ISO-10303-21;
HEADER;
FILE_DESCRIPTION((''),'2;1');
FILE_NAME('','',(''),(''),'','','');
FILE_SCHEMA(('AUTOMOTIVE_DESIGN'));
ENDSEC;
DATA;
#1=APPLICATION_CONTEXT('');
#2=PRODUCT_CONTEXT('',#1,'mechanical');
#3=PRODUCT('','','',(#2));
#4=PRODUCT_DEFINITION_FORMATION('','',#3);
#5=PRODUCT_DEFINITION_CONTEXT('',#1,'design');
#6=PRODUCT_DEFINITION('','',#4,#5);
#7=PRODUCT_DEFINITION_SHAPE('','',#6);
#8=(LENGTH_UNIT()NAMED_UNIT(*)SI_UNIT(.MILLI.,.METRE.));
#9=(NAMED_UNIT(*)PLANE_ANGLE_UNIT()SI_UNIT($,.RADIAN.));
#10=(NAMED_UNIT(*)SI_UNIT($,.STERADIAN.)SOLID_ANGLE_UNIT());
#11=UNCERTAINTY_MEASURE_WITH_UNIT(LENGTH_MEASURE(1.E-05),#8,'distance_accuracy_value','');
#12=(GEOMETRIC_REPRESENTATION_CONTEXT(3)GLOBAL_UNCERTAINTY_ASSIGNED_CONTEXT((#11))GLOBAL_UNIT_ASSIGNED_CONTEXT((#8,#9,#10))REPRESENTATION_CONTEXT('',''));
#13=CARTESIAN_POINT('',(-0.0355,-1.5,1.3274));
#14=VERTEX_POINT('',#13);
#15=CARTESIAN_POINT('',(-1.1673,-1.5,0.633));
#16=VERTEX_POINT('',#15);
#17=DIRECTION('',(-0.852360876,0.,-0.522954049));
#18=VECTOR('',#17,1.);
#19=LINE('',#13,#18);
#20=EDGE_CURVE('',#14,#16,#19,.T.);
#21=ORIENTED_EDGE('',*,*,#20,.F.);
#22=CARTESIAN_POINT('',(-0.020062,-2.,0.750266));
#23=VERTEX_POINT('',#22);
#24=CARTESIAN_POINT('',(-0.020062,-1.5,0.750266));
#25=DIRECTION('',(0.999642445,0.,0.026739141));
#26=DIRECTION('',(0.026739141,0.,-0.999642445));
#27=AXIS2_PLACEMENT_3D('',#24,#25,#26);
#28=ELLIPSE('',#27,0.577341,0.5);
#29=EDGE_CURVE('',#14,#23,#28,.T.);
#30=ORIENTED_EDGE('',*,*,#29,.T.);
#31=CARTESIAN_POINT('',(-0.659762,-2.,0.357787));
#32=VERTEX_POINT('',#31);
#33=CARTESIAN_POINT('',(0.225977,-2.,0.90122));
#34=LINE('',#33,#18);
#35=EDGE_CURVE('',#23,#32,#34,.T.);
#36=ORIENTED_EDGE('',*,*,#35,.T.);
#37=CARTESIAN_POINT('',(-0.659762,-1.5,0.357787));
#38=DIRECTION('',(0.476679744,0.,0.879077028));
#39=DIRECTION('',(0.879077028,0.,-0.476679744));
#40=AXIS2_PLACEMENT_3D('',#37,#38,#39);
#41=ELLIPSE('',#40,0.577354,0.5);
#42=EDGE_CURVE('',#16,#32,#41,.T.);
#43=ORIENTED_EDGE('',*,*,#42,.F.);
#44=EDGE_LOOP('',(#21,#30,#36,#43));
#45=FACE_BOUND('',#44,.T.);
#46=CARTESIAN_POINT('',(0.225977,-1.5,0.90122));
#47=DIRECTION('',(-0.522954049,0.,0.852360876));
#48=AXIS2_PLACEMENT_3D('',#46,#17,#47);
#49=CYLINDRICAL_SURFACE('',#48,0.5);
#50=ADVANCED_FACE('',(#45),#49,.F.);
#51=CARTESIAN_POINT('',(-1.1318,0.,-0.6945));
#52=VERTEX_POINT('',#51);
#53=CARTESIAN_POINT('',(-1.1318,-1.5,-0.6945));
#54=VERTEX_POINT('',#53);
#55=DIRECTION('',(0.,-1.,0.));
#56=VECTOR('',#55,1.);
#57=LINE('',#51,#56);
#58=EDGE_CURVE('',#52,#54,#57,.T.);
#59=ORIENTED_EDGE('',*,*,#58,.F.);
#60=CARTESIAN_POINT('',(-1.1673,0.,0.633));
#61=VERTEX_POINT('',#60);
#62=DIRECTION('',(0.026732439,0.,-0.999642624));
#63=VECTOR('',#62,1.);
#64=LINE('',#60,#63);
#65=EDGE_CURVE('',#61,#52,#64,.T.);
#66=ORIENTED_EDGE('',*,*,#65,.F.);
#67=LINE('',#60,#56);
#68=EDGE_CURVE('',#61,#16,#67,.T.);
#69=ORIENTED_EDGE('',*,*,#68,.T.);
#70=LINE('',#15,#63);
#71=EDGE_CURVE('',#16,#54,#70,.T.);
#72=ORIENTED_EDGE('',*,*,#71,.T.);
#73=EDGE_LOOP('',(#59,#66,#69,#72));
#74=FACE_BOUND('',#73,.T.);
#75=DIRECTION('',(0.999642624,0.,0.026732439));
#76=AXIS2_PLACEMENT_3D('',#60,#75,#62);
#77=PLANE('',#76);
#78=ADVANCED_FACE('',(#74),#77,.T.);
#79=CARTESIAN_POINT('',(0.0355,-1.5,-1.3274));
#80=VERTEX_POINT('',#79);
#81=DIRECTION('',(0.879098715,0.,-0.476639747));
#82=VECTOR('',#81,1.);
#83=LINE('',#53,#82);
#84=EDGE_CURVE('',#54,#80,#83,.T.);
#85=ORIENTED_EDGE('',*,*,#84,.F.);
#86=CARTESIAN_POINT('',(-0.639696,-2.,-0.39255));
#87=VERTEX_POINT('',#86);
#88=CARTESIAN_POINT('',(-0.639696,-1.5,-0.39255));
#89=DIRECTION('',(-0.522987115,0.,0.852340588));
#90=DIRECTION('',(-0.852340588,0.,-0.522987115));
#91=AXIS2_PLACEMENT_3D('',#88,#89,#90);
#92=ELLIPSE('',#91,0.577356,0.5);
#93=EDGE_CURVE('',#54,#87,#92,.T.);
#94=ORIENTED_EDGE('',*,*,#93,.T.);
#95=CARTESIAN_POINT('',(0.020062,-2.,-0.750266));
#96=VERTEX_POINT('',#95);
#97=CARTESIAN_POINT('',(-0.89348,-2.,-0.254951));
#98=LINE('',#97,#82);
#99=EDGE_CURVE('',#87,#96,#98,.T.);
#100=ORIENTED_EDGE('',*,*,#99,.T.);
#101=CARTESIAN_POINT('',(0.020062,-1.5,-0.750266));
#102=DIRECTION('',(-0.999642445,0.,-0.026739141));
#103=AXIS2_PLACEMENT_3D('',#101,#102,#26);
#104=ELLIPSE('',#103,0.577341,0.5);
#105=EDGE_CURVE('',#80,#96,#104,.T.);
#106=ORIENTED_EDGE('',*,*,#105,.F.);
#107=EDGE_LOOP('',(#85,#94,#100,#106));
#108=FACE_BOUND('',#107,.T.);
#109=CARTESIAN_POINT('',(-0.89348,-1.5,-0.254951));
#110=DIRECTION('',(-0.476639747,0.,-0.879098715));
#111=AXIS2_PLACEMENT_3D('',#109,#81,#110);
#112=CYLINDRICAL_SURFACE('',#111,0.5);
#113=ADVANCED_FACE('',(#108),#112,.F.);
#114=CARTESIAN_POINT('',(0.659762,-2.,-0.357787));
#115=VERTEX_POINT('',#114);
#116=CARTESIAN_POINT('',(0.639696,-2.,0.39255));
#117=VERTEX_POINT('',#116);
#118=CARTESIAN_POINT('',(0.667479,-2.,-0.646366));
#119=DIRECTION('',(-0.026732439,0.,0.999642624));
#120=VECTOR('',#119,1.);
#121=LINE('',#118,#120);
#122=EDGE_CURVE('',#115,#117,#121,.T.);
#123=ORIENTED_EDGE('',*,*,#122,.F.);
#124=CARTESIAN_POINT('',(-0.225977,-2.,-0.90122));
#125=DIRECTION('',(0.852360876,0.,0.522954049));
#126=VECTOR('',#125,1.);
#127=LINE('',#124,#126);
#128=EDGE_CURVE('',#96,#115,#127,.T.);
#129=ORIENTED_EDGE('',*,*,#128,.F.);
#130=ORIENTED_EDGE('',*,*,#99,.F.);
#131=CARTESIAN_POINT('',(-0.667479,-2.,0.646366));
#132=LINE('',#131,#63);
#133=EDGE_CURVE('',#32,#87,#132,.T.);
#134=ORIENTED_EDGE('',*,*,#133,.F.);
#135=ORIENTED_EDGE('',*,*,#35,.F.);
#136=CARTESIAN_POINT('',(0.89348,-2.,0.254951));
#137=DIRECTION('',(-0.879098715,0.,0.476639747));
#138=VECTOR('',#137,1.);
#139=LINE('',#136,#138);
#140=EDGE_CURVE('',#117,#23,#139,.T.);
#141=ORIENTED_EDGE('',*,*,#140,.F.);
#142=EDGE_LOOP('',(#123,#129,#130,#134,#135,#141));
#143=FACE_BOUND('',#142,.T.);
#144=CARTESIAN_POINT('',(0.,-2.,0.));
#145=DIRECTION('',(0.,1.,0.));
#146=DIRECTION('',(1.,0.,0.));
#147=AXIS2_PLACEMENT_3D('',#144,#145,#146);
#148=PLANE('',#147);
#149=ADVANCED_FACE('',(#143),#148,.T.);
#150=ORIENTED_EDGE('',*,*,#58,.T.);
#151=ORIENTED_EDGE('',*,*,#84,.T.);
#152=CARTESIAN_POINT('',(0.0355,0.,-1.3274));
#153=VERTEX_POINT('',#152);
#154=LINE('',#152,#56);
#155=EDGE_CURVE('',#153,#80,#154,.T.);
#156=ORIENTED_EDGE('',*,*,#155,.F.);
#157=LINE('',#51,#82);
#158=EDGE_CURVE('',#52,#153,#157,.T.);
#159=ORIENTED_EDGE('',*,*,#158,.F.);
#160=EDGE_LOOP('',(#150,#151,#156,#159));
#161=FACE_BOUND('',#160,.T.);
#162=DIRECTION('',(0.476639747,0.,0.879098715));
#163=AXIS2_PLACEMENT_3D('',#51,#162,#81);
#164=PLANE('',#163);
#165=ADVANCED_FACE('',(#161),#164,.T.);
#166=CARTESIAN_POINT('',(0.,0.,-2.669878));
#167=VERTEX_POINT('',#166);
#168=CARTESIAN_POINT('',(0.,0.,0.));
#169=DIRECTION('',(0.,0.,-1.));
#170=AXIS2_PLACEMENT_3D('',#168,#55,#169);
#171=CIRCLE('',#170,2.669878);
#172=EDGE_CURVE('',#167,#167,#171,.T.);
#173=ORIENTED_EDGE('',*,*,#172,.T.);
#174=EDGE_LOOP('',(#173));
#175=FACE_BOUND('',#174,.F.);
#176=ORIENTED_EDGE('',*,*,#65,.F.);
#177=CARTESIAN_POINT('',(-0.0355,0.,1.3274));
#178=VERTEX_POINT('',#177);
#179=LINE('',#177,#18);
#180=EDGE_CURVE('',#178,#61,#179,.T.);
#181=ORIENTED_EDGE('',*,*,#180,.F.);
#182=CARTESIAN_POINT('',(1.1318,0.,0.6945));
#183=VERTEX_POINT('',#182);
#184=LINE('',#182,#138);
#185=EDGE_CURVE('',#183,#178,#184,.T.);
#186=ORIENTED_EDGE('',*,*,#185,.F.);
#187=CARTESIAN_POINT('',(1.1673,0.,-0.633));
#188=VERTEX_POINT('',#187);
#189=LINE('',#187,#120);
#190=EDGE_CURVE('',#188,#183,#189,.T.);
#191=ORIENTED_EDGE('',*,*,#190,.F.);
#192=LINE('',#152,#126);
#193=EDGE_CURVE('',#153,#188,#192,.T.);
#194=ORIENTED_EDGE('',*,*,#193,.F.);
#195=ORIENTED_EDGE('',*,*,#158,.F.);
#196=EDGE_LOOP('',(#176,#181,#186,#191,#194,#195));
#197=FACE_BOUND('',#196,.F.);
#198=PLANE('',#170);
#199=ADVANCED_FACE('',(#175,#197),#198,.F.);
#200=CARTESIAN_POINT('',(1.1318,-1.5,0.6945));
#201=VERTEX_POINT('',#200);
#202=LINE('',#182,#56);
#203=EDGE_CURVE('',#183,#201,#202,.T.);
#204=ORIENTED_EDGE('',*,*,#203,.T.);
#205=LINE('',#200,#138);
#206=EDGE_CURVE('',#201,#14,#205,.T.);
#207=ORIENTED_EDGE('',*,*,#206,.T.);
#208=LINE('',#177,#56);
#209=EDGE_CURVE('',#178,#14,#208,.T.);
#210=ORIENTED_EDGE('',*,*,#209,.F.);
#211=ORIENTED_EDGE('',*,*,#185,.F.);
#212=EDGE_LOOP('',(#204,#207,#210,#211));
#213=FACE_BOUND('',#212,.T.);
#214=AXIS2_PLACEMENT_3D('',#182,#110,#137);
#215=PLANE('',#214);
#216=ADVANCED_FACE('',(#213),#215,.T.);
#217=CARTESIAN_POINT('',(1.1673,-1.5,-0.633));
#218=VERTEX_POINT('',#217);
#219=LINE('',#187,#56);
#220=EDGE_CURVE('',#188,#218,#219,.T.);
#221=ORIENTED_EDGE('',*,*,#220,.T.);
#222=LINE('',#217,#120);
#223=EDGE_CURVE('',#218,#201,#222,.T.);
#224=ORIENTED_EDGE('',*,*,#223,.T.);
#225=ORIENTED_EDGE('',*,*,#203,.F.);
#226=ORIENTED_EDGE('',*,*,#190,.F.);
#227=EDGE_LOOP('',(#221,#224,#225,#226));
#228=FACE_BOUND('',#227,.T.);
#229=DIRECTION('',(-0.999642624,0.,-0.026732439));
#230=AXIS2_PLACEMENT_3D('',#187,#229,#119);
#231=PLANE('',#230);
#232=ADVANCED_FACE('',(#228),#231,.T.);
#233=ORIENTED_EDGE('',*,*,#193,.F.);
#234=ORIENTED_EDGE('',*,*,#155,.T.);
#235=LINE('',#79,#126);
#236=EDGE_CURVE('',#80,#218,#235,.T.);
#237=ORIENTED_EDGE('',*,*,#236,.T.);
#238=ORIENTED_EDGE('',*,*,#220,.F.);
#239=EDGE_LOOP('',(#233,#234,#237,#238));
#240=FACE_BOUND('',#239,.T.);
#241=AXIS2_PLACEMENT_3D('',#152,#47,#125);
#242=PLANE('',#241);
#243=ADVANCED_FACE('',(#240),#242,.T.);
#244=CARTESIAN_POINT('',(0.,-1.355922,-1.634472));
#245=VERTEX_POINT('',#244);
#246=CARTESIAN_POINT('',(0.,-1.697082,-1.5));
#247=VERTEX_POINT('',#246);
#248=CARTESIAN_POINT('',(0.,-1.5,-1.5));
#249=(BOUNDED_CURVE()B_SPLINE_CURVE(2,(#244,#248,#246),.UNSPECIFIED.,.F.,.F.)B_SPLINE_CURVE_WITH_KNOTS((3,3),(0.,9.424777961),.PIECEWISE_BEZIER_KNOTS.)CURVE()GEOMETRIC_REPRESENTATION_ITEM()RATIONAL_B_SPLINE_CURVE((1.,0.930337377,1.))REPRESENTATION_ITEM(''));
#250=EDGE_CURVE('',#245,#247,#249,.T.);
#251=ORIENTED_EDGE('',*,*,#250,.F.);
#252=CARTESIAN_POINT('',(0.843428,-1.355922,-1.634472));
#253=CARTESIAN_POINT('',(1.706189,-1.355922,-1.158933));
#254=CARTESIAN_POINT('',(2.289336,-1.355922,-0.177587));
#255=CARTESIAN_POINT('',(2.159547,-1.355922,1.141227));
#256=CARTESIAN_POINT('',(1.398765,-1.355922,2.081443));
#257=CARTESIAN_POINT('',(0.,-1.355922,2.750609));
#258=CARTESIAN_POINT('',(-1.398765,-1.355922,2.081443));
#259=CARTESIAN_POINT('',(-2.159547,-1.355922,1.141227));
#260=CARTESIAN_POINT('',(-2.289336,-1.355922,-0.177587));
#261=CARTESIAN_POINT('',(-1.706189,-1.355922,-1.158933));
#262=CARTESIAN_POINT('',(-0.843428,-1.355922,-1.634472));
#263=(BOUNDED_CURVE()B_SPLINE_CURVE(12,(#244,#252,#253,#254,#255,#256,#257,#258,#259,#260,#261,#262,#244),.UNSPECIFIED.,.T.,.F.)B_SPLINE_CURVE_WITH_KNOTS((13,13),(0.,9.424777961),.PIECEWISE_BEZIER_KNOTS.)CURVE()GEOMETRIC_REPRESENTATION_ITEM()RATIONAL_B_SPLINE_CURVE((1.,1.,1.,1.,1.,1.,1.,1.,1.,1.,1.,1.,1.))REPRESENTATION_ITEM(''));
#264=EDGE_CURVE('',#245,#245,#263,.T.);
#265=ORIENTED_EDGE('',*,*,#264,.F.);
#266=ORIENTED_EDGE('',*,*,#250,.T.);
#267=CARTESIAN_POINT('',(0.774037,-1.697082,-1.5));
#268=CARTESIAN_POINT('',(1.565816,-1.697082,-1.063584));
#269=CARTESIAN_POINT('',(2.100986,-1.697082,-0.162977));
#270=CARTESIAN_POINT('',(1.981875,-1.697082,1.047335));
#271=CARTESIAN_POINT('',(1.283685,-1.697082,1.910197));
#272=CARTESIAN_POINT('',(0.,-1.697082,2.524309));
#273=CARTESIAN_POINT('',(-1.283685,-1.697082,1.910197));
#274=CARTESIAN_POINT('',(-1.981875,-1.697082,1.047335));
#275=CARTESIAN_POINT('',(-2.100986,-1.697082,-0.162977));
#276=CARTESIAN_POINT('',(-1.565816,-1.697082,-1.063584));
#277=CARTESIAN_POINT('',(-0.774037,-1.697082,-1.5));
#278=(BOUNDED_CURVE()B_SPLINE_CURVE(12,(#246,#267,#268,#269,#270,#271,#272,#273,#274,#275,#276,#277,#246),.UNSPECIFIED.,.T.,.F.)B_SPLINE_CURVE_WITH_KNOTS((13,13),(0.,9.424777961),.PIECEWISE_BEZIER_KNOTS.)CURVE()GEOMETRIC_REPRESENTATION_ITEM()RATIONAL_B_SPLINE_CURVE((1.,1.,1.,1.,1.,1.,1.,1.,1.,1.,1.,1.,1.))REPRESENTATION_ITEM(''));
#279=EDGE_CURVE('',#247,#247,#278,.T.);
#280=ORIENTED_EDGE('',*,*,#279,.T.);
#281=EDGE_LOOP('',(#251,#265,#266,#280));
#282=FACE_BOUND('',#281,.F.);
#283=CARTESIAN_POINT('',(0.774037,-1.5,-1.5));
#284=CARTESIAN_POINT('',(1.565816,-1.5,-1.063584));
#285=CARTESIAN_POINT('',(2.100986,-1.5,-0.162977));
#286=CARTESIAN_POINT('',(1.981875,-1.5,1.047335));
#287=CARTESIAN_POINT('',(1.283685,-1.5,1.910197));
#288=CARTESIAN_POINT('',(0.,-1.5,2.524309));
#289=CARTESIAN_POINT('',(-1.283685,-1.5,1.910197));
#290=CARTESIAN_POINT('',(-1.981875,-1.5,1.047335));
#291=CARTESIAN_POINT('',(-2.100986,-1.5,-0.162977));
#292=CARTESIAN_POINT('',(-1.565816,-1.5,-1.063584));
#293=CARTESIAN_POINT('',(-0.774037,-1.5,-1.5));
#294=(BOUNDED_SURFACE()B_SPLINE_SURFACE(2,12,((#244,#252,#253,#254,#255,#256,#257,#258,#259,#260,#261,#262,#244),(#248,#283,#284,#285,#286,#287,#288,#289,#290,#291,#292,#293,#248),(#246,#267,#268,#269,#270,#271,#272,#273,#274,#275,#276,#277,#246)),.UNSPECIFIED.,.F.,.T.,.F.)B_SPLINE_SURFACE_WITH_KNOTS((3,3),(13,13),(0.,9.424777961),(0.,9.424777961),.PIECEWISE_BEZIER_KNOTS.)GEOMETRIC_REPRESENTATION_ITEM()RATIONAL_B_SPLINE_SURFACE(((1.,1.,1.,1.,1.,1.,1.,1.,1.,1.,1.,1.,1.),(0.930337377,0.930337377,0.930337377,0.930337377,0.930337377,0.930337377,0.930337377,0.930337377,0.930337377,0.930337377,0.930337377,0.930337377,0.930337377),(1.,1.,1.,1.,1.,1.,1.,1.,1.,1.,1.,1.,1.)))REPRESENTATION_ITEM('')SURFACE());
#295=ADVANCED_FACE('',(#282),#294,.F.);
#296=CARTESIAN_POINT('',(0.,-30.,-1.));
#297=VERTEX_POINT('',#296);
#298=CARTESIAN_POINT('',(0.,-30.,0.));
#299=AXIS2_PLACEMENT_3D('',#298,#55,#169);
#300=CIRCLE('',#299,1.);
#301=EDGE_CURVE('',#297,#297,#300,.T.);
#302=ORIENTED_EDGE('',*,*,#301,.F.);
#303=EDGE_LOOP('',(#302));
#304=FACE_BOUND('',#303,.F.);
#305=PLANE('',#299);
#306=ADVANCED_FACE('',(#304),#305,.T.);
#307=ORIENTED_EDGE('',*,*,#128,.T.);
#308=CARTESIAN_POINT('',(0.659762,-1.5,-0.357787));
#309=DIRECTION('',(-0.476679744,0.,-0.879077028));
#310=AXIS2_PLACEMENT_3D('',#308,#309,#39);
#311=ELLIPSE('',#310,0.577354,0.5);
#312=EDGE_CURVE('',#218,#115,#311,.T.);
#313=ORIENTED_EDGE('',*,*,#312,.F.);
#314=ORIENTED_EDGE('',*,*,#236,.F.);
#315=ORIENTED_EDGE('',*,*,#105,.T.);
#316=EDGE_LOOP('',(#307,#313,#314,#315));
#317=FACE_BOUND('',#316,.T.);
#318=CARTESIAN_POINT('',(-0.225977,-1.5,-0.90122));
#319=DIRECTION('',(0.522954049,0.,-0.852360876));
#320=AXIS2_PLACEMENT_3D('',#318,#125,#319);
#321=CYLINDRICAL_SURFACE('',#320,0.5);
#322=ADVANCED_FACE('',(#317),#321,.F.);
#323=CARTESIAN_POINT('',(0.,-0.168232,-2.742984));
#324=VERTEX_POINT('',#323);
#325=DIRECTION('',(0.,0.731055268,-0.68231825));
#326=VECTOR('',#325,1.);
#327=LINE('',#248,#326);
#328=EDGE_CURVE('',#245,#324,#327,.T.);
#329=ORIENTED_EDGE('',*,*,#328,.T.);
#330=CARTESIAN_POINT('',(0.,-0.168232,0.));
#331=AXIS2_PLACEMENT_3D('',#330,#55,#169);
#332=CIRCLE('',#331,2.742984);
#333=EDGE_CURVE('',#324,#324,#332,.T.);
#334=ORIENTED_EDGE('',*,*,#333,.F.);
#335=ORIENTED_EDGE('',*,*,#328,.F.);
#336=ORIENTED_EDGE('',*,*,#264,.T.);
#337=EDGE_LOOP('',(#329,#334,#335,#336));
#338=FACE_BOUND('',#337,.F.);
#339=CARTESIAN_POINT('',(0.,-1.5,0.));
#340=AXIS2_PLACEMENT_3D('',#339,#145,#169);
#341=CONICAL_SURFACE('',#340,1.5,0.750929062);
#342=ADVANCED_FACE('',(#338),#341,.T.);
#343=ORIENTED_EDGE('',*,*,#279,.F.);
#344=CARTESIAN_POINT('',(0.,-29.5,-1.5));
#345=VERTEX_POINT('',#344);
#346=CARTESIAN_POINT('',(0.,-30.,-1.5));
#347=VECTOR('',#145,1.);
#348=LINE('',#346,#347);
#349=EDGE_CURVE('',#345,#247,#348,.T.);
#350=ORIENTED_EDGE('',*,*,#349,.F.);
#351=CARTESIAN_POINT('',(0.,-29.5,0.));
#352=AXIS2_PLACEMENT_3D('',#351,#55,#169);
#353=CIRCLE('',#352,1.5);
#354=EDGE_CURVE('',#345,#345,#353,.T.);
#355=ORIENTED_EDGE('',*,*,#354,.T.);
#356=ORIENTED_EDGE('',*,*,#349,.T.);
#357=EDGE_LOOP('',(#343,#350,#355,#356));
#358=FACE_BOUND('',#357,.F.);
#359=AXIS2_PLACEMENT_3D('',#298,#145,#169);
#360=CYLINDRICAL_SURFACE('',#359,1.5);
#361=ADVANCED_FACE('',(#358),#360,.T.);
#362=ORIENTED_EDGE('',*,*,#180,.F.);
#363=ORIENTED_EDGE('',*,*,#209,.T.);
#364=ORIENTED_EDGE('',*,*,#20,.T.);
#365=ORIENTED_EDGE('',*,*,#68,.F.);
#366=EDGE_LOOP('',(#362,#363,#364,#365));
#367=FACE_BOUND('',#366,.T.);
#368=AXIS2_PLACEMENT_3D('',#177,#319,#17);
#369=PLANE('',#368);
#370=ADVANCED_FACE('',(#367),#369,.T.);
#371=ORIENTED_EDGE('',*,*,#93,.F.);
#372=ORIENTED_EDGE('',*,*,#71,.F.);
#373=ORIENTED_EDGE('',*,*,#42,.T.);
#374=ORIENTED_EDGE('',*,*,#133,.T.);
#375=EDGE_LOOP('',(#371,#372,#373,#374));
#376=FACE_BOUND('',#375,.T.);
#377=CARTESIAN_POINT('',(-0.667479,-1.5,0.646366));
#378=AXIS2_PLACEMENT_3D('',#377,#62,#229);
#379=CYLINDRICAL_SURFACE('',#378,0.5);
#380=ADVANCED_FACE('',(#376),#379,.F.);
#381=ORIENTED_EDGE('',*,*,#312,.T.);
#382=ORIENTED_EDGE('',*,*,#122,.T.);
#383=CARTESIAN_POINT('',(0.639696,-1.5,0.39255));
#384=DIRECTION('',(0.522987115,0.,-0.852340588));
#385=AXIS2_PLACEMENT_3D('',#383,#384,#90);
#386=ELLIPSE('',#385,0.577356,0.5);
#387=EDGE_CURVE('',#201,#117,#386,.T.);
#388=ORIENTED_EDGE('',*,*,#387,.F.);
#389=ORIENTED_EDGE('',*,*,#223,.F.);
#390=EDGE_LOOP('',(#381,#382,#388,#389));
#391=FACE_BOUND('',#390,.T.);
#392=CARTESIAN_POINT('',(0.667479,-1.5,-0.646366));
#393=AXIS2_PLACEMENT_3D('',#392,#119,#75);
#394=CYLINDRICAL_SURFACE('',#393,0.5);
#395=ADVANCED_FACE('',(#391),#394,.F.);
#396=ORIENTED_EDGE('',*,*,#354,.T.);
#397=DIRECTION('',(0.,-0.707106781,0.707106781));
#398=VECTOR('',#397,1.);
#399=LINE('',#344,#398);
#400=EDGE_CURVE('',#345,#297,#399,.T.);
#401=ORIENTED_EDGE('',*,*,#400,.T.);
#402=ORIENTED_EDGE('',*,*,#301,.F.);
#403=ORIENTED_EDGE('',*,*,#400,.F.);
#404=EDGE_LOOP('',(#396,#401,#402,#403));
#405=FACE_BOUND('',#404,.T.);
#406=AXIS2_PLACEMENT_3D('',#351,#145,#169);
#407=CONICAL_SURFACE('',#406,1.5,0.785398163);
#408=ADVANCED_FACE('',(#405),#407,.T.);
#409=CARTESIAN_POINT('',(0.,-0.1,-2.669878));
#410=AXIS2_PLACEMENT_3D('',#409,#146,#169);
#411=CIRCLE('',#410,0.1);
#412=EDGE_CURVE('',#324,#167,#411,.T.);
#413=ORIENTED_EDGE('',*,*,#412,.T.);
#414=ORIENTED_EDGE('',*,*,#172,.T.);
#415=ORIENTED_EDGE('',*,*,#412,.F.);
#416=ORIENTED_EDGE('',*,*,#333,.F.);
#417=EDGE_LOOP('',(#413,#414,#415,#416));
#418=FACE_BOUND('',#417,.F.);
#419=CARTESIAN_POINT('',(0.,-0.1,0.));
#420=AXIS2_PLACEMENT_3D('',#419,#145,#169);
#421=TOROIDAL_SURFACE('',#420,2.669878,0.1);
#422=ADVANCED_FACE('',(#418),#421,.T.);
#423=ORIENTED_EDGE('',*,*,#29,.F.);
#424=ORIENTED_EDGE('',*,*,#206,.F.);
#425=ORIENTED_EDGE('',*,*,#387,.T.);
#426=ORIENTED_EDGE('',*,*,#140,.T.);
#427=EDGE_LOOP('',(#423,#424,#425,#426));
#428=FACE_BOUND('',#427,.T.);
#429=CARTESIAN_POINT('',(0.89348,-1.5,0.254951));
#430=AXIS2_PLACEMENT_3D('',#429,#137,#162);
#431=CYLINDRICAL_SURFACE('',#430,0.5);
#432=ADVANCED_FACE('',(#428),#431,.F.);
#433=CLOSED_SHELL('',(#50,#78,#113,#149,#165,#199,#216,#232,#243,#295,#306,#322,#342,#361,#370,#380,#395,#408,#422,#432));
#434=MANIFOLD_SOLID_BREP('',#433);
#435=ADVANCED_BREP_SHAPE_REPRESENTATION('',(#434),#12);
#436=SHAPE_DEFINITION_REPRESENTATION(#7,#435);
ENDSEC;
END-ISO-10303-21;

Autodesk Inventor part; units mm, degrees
ref_plane "YZ Plane" through (0, 0, 0) normal (1, 0, 0) x (0, 1, 0)
ref_plane "XZ Plane" through (0, 0, 0) normal (0, 1, 0) x (-1, 0, 0)
ref_plane "XY Plane" through (0, 0, 0) normal (0, 0, 1) x (1, 0, 0)
sketch "Szkic2" plane through (0, 0, 0) normal (1, 0, 0) x (0, 1, 0)
  line L0 (0, -2.9) -> (0, 2.9)
  line L1 (-1.5, -1.5) -> (-1.5, 1.5)
  line L2 (-1.5, -1.5) -> (0, -2.9)
  line L3 (-1.5, 1.5) -> (0, 2.9)
  line L4 (0, 0) -> (-30, 0)
  line L5 (-30, 0) -> (-30, -1.5)
  line L6 (-30, -1.5) -> (-1.5, -1.5)
  dimension "d0" = 5.8
  dimension "d2" = 3
  dimension "d3" = 1.5
  dimension "d4" = 30
  dimension "d5" = 1.5
revolve "Obrót1" add sketch "Szkic2" angle 360 about axis through (0, 0, 0) along (0, -1, 0) contours L2 L1 L4 L0 | L6 L5 L4 L1
sketch "Szkic3" plane through (0, 0, 0) normal (0, 1, 0) x (1, 0, 0)
  line L0 (-1.1673, -0.633) -> (-1.1318, 0.6945)
  line L1 (-1.1318, 0.6945) -> (0.0355, 1.3274)
  line L2 (0.0355, 1.3274) -> (1.1673, 0.633)
  line L3 (1.1673, 0.633) -> (1.1318, -0.6945)
  line L4 (1.1318, -0.6945) -> (-0.0355, -1.3274)
  line L5 (-0.0355, -1.3274) -> (-1.1673, -0.633)
  point P0 (0, 0)
  point P1 (0, 0)
  dimension "d7" = 2.3
extrude "Wyciągnięcie proste1" cut sketch "Szkic3" against normal blind 2
fillet "Zaokrąglenie1" radius 0.5 6 edges at (-1.1496, -2, -0.0308) (-0.6014, -2, 0.9802) (-0.5482, -2, -1.011) (0.6014, -2, -0.9802) (0.5482, -2, 1.011) (1.1496, -2, 0.0308)
fillet "Zaokrąglenie2" radius 0.5 1 edges at (0, -1.5, 1.5)
fillet "Zaokrąglenie3" radius 0.1 1 edges at (0, 0, 2.9)
thread "Gwint1" size "M3x0.5" class "6g" standard "ANSI Metric M Profile" full length
chamfer "Faza1" distance 0.5 angle 45 1 edges at (0, -30, 1.5)
properties part number "Screw M3 30mm flat head"
